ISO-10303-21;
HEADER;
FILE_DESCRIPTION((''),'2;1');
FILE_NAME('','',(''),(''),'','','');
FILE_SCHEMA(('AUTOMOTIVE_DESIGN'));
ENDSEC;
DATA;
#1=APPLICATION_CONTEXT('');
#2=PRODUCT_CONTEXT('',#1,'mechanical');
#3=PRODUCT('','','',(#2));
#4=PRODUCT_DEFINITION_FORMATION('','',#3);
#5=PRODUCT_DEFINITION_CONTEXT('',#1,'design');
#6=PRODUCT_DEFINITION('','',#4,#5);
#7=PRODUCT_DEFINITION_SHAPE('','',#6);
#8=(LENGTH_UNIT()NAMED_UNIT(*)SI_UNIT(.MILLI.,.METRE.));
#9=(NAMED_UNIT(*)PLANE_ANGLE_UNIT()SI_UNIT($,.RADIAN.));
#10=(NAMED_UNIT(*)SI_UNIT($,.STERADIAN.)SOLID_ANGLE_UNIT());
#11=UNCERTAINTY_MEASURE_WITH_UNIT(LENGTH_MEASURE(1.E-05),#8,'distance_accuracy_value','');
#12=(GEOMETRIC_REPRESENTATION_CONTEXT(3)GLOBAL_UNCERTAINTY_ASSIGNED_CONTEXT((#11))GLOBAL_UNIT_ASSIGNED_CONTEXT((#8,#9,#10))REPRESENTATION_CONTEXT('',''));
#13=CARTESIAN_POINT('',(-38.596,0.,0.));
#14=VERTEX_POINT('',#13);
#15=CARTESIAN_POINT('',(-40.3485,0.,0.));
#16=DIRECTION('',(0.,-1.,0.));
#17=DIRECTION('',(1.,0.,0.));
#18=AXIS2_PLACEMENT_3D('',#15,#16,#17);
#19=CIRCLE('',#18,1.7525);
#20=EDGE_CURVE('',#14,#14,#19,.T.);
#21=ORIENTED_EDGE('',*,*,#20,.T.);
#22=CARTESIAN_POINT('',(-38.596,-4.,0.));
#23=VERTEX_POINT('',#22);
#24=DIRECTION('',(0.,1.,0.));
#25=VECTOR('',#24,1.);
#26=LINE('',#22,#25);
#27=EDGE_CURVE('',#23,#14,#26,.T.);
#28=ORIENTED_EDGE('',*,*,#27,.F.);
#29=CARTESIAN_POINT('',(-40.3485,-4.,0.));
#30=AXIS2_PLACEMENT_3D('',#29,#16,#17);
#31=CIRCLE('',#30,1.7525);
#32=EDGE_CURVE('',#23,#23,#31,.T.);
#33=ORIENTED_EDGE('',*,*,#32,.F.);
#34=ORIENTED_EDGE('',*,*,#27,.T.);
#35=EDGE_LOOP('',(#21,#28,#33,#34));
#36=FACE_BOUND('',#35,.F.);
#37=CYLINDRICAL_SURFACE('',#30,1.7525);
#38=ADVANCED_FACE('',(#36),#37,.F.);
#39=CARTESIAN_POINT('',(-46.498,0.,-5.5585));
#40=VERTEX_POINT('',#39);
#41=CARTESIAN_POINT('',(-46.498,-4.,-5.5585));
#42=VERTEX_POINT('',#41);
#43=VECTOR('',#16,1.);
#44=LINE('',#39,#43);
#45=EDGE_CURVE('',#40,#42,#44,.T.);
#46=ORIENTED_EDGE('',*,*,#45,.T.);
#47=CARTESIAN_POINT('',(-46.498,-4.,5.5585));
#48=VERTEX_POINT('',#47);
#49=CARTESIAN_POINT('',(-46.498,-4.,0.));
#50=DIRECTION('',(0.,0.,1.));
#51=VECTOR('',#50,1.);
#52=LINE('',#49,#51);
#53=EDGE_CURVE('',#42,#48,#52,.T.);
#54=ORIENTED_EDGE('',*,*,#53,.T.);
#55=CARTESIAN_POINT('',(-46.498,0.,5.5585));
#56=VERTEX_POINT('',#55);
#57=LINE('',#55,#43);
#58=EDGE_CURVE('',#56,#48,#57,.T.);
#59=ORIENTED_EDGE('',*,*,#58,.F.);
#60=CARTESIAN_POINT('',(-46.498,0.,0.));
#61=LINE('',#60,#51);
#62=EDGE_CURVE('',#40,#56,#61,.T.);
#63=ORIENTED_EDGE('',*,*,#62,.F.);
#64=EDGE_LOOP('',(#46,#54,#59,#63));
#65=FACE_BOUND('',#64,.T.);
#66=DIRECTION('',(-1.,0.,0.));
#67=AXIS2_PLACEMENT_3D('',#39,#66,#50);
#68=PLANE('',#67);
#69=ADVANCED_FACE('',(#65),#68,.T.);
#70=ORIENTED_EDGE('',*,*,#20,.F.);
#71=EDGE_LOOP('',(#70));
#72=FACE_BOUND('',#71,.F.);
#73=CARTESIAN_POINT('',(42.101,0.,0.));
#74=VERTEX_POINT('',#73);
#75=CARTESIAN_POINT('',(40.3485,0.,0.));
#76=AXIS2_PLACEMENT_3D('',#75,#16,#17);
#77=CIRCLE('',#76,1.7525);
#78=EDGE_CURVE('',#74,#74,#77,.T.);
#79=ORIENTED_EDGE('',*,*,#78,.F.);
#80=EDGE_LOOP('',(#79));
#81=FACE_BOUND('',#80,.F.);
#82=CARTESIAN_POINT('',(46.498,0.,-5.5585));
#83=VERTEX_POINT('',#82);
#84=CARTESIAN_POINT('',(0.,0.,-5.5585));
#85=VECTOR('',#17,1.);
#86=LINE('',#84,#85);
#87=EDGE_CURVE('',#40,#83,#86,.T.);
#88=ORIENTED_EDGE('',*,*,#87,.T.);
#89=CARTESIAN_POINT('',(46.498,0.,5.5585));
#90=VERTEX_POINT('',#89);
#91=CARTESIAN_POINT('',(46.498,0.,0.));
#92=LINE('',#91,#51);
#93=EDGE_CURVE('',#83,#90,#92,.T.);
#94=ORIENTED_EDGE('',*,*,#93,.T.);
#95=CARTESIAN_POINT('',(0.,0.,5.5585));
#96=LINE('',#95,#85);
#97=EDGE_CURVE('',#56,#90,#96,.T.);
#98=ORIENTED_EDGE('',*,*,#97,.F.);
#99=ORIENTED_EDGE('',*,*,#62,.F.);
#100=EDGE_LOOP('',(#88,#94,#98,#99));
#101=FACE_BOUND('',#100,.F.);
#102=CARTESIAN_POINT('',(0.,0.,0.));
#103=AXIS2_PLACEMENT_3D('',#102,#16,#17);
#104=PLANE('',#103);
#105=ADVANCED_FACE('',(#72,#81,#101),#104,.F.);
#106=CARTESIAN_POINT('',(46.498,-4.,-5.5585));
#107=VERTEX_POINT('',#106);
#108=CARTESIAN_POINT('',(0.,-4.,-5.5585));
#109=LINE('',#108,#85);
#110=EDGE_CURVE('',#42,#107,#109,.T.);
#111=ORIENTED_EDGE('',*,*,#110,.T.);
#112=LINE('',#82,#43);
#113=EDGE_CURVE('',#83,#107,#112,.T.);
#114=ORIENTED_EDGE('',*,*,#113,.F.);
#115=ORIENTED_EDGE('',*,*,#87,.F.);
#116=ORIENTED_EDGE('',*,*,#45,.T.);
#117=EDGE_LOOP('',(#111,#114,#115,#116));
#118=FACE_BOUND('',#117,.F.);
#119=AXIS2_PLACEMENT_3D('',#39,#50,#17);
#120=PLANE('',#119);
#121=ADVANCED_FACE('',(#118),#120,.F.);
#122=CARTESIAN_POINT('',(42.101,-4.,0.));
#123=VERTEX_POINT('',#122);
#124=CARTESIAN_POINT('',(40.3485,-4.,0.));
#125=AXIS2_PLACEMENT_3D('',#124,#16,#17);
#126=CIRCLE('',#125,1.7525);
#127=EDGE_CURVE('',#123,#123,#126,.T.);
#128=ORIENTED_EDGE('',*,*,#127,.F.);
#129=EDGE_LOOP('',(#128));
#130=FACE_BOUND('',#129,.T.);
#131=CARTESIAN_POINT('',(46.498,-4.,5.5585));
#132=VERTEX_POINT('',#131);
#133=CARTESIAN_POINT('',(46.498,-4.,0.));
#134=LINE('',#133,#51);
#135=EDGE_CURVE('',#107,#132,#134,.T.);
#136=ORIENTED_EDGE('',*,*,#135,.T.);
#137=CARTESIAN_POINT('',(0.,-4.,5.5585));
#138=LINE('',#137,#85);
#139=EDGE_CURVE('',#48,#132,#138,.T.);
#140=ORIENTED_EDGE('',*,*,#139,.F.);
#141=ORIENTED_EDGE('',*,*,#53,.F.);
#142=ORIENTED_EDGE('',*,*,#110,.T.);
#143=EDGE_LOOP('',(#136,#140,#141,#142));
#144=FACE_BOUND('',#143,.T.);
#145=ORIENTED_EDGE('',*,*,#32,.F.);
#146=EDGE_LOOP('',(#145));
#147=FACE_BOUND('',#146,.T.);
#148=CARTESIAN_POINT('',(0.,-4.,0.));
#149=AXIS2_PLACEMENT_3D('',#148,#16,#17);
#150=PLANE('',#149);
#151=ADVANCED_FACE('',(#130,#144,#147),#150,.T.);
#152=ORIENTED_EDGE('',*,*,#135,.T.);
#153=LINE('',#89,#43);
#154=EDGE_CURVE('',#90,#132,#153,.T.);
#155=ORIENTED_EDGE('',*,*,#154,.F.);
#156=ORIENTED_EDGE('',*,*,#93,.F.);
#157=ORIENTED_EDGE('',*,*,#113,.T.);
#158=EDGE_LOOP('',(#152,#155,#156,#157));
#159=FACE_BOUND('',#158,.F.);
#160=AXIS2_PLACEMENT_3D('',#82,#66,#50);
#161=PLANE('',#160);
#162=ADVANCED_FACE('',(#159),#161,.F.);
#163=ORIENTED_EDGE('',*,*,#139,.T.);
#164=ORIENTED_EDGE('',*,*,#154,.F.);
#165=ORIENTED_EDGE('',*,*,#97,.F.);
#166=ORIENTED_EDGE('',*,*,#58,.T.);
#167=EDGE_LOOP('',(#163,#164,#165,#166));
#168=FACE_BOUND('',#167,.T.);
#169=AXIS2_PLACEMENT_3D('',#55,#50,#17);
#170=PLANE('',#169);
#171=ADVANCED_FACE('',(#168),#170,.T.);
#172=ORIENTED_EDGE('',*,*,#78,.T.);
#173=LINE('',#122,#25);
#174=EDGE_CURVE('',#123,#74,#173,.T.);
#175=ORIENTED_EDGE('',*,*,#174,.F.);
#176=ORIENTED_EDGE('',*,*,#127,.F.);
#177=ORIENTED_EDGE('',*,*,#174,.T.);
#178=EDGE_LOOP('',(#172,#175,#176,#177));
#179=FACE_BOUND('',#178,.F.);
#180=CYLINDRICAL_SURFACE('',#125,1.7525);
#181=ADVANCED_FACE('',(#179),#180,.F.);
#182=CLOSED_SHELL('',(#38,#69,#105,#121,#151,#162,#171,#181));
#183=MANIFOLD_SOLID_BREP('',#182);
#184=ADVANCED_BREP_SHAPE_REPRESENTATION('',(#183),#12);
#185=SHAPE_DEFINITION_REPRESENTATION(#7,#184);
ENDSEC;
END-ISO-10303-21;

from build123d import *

# Parameters (mm, degrees)
F0_W     = 92.996
F0_H     = 11.117
F1_DEPTH = 4
F2_R     = 1.7525
F3_DEPTH = 25


with BuildPart() as f1:
    # F0 (on Front) → F1 (new body)
    with BuildSketch(Plane.XZ):
        Rectangle(F0_W, F0_H)
    extrude(amount=F1_DEPTH)

    # F2 (on face) → F3 (cut)
    with BuildSketch(Plane.XZ.offset(4)):
        with BuildLine():
            ThreePointArc((-42.101, 0), (-40.3485, -1.7525), (-38.596, 0))
            ThreePointArc((-38.596, 0), (-40.3485, 1.7525), (-42.101, 0))
        make_face()
        with Locations((40.3485, 0)):
            Circle(F2_R)
    extrude(amount=-F3_DEPTH, mode=Mode.SUBTRACT)


solid = f1.part
